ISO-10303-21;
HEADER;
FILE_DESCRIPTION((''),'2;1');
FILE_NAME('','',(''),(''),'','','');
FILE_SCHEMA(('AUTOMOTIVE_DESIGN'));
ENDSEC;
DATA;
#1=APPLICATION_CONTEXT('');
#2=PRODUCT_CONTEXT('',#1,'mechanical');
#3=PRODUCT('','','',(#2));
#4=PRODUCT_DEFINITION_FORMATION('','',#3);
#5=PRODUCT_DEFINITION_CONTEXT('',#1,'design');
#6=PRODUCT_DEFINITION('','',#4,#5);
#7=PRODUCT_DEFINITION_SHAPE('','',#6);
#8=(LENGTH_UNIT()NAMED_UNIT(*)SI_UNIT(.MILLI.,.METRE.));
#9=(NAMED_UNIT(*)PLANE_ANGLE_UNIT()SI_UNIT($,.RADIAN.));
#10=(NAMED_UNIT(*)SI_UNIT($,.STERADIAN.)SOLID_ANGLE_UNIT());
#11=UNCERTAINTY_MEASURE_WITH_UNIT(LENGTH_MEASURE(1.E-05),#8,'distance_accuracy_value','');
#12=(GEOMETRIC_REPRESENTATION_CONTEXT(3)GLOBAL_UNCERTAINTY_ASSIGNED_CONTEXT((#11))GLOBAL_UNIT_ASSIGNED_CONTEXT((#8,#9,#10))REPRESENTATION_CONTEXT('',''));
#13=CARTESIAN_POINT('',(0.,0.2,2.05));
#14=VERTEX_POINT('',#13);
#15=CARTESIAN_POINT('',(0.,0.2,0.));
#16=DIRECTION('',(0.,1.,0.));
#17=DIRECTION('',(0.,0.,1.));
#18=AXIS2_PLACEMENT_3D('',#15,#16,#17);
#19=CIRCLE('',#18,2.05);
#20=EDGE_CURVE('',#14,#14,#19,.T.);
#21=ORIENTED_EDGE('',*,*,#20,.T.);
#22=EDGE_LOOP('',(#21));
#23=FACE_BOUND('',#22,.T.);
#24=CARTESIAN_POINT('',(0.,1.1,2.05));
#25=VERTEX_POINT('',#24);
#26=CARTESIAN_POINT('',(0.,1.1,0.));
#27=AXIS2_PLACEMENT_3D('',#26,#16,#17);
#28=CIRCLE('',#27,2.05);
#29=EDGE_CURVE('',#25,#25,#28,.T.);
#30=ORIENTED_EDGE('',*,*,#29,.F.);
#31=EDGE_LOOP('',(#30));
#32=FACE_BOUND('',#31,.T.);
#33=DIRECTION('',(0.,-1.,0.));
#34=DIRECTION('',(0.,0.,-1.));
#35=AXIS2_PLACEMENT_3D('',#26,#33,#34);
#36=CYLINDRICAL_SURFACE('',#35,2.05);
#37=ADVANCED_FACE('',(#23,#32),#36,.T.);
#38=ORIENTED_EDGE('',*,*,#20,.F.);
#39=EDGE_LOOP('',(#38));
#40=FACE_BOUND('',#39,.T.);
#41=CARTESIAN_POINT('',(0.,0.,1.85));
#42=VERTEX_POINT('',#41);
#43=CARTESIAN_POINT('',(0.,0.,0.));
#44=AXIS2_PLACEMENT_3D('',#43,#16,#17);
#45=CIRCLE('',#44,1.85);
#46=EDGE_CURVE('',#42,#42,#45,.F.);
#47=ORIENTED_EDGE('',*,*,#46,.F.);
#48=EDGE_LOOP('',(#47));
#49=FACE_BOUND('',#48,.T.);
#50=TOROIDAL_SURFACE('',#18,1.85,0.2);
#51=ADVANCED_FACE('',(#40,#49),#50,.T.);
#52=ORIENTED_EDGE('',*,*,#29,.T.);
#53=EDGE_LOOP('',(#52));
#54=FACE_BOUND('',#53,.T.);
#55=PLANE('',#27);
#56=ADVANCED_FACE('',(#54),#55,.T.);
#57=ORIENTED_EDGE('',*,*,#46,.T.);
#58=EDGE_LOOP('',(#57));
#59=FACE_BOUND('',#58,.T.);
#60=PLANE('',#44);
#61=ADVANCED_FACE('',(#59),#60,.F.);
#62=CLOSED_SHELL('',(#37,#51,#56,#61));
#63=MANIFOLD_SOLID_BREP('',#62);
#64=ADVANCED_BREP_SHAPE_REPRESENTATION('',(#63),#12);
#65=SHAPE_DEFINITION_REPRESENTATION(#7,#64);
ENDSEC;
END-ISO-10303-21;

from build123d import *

# Parameters (mm, degrees)
SKETCH_1_R      = 2.05
EXTRUDE_1_DEPTH = 1.1
FILLET_1_R      = 0.2


with BuildPart() as part:
    # 草图1 → 凸台-拉伸1 (new body)
    with BuildSketch(Plane(origin=(0, 0, 0), x_dir=(1, 0, 0), z_dir=(0, 1, 0))):
        with Locations(Location((0, 0, 0), (0, 0, 270))):
            Circle(SKETCH_1_R)
    extrude(amount=EXTRUDE_1_DEPTH)

    # 圆角1
    fillet_1_edges = [part.edges().sort_by_distance(p)[0] for p in [
        (0, 0, -2.05),
    ]]
    fillet(fillet_1_edges, radius=FILLET_1_R)


solid = part.part
